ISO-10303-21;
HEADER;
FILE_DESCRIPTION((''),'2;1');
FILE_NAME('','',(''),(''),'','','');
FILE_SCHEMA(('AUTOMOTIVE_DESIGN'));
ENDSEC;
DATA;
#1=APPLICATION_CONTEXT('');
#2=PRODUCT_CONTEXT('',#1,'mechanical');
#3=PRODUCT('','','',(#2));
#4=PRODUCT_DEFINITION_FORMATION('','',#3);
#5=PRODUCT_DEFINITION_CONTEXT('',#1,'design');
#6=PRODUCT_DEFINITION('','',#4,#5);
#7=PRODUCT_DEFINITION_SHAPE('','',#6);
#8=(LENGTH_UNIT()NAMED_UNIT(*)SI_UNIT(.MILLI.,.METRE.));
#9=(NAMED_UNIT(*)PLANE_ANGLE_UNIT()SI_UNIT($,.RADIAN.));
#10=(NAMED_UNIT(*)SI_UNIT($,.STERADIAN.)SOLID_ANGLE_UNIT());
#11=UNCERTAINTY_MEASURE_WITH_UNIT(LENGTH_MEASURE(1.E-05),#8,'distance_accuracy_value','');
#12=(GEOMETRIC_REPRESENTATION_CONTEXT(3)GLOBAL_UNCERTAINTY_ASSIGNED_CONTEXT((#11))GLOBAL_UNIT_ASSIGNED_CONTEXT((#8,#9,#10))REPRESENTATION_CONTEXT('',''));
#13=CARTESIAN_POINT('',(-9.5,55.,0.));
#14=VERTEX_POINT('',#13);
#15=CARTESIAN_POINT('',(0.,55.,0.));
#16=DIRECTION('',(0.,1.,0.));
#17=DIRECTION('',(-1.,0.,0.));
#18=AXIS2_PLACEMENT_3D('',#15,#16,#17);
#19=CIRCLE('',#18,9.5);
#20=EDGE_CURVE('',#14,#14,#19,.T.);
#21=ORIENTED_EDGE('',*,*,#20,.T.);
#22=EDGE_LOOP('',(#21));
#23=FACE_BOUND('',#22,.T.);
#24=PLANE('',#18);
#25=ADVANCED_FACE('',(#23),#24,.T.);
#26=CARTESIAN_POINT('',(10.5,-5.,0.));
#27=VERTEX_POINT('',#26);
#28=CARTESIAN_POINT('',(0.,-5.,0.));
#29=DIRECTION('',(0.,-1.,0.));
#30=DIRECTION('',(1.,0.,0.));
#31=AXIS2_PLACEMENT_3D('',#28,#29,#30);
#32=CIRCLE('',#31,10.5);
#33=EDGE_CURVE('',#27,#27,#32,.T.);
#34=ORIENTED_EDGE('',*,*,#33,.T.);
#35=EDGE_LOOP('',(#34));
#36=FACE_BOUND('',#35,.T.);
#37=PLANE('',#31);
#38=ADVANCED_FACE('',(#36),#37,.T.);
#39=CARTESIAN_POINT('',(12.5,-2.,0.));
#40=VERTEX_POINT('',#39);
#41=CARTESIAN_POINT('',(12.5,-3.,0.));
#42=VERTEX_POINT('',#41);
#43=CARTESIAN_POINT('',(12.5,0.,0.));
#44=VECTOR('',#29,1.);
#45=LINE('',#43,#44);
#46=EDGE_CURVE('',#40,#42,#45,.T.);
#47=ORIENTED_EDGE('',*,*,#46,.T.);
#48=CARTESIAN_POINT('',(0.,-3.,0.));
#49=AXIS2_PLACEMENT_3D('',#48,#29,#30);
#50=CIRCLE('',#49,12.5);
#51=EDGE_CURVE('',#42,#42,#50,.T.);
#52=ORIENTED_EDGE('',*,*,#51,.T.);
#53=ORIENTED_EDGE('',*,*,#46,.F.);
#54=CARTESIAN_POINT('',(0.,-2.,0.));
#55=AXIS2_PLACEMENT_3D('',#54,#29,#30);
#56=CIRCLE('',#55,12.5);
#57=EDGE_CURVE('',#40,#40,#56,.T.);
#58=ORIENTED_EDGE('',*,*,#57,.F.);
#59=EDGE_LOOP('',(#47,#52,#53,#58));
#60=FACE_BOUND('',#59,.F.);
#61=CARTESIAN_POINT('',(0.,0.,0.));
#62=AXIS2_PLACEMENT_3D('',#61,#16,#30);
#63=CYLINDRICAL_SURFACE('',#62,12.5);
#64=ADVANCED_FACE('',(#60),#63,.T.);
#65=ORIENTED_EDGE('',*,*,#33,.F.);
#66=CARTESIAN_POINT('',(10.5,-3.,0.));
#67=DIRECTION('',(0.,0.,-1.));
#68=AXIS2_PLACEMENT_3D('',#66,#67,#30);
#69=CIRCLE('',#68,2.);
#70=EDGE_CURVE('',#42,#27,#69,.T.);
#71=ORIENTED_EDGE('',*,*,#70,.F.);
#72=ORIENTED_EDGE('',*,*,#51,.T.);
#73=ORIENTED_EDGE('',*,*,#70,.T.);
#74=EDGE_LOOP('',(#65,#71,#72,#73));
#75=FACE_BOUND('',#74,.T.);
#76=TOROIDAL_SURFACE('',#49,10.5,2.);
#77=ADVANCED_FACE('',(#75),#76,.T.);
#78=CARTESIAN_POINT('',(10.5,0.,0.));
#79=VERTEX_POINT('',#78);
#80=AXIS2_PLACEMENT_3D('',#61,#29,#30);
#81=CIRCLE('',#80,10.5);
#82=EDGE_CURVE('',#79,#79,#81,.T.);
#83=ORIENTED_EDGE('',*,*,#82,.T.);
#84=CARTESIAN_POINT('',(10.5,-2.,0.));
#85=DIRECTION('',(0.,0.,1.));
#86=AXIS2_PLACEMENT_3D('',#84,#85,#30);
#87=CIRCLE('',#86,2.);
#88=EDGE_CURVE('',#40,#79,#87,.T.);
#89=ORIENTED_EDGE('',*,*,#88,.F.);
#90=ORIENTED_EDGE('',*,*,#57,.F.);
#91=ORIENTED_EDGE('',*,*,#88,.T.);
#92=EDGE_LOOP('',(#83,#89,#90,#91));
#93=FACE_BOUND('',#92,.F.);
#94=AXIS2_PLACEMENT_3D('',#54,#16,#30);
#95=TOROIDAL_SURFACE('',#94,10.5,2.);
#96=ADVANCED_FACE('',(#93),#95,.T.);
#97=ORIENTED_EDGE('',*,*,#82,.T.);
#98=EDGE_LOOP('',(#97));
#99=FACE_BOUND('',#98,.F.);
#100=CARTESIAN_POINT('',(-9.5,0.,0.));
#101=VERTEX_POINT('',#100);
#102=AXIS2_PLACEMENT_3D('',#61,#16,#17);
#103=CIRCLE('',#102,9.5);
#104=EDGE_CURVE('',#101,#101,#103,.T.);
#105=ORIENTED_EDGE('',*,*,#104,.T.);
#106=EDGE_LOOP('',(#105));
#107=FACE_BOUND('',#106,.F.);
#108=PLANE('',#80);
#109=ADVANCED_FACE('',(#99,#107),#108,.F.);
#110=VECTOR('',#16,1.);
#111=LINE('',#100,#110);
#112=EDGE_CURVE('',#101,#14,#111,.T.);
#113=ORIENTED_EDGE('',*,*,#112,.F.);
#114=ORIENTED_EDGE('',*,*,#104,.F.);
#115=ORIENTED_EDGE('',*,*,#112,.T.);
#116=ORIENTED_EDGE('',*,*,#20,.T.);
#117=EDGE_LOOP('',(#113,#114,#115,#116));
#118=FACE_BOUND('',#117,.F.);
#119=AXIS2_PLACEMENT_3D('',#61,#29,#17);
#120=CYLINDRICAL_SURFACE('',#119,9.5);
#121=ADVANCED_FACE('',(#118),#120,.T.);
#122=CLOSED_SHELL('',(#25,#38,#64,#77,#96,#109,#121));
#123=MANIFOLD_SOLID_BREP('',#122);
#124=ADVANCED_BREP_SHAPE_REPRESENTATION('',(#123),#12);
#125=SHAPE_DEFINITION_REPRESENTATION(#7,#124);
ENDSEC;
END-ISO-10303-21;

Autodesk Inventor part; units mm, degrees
ref_plane "YZ Plane" through (0, 0, 0) normal (1, 0, 0) x (0, 1, 0)
ref_plane "XZ Plane" through (0, 0, 0) normal (0, 1, 0) x (-1, 0, 0)
ref_plane "XY Plane" through (0, 0, 0) normal (0, 0, 1) x (1, 0, 0)
sketch "Sketch1" plane through (0, 0, 0) normal (0, 1, 0) x (-1, 0, 0)
  circle A0 centre (0, 0) radius 9.5
  dimension "d0" = 19
extrude "Extrusion1" add sketch "Sketch1" along normal blind 55
sketch "Sketch2" plane through (0, 0, 0) normal (0, -1, 0) x (1, 0, 0)
  point P0 (0, 0)
sketch "Sketch3" plane through (0, 0, 0) normal (0, -1, 0) x (1, 0, 0)
  circle A0 centre (0, 0) radius 12.5
  dimension "d3" = 25
extrude "Extrusion2" add sketch "Sketch3" along normal blind 5
fillet "Fillet1" radius 2 2 edges at (-12.5, 0, 0) (-12.5, -5, 0)
sketch "Sketch4" plane through (0, 55, 0) normal (0, 1, 0) x (1, 0, 0)
  point P0 (0, 0)
sketch "Sketch5" plane through (0, 0, 0) normal (0, 1, 0) x (1, 0, 0)
  point P0 (0, 0)
sketch "Sketch6" plane through (0, 0, 0) normal (1, 0, 0) x (0, 1, 0)
  point P0 (0, 0)
equation "\"BendRadius\" = Thickness"
equation "\"BendReliefWidth\" = Thickness"
equation "\"BendReliefDepth\" = 0.5 * Thickness"
equation "\"CornerReliefSize\" = 4 * Thickness"
equation "\"MinimumRemnant\" = 2 * Thickness"
equation "\"TransitionRadius\" = BendRadius"
equation "\"JacobiRadiusSize\" = BendRadius"
equation "\"GapSize\" = Thickness"
equation "\"Thickness\" = 0.5"
